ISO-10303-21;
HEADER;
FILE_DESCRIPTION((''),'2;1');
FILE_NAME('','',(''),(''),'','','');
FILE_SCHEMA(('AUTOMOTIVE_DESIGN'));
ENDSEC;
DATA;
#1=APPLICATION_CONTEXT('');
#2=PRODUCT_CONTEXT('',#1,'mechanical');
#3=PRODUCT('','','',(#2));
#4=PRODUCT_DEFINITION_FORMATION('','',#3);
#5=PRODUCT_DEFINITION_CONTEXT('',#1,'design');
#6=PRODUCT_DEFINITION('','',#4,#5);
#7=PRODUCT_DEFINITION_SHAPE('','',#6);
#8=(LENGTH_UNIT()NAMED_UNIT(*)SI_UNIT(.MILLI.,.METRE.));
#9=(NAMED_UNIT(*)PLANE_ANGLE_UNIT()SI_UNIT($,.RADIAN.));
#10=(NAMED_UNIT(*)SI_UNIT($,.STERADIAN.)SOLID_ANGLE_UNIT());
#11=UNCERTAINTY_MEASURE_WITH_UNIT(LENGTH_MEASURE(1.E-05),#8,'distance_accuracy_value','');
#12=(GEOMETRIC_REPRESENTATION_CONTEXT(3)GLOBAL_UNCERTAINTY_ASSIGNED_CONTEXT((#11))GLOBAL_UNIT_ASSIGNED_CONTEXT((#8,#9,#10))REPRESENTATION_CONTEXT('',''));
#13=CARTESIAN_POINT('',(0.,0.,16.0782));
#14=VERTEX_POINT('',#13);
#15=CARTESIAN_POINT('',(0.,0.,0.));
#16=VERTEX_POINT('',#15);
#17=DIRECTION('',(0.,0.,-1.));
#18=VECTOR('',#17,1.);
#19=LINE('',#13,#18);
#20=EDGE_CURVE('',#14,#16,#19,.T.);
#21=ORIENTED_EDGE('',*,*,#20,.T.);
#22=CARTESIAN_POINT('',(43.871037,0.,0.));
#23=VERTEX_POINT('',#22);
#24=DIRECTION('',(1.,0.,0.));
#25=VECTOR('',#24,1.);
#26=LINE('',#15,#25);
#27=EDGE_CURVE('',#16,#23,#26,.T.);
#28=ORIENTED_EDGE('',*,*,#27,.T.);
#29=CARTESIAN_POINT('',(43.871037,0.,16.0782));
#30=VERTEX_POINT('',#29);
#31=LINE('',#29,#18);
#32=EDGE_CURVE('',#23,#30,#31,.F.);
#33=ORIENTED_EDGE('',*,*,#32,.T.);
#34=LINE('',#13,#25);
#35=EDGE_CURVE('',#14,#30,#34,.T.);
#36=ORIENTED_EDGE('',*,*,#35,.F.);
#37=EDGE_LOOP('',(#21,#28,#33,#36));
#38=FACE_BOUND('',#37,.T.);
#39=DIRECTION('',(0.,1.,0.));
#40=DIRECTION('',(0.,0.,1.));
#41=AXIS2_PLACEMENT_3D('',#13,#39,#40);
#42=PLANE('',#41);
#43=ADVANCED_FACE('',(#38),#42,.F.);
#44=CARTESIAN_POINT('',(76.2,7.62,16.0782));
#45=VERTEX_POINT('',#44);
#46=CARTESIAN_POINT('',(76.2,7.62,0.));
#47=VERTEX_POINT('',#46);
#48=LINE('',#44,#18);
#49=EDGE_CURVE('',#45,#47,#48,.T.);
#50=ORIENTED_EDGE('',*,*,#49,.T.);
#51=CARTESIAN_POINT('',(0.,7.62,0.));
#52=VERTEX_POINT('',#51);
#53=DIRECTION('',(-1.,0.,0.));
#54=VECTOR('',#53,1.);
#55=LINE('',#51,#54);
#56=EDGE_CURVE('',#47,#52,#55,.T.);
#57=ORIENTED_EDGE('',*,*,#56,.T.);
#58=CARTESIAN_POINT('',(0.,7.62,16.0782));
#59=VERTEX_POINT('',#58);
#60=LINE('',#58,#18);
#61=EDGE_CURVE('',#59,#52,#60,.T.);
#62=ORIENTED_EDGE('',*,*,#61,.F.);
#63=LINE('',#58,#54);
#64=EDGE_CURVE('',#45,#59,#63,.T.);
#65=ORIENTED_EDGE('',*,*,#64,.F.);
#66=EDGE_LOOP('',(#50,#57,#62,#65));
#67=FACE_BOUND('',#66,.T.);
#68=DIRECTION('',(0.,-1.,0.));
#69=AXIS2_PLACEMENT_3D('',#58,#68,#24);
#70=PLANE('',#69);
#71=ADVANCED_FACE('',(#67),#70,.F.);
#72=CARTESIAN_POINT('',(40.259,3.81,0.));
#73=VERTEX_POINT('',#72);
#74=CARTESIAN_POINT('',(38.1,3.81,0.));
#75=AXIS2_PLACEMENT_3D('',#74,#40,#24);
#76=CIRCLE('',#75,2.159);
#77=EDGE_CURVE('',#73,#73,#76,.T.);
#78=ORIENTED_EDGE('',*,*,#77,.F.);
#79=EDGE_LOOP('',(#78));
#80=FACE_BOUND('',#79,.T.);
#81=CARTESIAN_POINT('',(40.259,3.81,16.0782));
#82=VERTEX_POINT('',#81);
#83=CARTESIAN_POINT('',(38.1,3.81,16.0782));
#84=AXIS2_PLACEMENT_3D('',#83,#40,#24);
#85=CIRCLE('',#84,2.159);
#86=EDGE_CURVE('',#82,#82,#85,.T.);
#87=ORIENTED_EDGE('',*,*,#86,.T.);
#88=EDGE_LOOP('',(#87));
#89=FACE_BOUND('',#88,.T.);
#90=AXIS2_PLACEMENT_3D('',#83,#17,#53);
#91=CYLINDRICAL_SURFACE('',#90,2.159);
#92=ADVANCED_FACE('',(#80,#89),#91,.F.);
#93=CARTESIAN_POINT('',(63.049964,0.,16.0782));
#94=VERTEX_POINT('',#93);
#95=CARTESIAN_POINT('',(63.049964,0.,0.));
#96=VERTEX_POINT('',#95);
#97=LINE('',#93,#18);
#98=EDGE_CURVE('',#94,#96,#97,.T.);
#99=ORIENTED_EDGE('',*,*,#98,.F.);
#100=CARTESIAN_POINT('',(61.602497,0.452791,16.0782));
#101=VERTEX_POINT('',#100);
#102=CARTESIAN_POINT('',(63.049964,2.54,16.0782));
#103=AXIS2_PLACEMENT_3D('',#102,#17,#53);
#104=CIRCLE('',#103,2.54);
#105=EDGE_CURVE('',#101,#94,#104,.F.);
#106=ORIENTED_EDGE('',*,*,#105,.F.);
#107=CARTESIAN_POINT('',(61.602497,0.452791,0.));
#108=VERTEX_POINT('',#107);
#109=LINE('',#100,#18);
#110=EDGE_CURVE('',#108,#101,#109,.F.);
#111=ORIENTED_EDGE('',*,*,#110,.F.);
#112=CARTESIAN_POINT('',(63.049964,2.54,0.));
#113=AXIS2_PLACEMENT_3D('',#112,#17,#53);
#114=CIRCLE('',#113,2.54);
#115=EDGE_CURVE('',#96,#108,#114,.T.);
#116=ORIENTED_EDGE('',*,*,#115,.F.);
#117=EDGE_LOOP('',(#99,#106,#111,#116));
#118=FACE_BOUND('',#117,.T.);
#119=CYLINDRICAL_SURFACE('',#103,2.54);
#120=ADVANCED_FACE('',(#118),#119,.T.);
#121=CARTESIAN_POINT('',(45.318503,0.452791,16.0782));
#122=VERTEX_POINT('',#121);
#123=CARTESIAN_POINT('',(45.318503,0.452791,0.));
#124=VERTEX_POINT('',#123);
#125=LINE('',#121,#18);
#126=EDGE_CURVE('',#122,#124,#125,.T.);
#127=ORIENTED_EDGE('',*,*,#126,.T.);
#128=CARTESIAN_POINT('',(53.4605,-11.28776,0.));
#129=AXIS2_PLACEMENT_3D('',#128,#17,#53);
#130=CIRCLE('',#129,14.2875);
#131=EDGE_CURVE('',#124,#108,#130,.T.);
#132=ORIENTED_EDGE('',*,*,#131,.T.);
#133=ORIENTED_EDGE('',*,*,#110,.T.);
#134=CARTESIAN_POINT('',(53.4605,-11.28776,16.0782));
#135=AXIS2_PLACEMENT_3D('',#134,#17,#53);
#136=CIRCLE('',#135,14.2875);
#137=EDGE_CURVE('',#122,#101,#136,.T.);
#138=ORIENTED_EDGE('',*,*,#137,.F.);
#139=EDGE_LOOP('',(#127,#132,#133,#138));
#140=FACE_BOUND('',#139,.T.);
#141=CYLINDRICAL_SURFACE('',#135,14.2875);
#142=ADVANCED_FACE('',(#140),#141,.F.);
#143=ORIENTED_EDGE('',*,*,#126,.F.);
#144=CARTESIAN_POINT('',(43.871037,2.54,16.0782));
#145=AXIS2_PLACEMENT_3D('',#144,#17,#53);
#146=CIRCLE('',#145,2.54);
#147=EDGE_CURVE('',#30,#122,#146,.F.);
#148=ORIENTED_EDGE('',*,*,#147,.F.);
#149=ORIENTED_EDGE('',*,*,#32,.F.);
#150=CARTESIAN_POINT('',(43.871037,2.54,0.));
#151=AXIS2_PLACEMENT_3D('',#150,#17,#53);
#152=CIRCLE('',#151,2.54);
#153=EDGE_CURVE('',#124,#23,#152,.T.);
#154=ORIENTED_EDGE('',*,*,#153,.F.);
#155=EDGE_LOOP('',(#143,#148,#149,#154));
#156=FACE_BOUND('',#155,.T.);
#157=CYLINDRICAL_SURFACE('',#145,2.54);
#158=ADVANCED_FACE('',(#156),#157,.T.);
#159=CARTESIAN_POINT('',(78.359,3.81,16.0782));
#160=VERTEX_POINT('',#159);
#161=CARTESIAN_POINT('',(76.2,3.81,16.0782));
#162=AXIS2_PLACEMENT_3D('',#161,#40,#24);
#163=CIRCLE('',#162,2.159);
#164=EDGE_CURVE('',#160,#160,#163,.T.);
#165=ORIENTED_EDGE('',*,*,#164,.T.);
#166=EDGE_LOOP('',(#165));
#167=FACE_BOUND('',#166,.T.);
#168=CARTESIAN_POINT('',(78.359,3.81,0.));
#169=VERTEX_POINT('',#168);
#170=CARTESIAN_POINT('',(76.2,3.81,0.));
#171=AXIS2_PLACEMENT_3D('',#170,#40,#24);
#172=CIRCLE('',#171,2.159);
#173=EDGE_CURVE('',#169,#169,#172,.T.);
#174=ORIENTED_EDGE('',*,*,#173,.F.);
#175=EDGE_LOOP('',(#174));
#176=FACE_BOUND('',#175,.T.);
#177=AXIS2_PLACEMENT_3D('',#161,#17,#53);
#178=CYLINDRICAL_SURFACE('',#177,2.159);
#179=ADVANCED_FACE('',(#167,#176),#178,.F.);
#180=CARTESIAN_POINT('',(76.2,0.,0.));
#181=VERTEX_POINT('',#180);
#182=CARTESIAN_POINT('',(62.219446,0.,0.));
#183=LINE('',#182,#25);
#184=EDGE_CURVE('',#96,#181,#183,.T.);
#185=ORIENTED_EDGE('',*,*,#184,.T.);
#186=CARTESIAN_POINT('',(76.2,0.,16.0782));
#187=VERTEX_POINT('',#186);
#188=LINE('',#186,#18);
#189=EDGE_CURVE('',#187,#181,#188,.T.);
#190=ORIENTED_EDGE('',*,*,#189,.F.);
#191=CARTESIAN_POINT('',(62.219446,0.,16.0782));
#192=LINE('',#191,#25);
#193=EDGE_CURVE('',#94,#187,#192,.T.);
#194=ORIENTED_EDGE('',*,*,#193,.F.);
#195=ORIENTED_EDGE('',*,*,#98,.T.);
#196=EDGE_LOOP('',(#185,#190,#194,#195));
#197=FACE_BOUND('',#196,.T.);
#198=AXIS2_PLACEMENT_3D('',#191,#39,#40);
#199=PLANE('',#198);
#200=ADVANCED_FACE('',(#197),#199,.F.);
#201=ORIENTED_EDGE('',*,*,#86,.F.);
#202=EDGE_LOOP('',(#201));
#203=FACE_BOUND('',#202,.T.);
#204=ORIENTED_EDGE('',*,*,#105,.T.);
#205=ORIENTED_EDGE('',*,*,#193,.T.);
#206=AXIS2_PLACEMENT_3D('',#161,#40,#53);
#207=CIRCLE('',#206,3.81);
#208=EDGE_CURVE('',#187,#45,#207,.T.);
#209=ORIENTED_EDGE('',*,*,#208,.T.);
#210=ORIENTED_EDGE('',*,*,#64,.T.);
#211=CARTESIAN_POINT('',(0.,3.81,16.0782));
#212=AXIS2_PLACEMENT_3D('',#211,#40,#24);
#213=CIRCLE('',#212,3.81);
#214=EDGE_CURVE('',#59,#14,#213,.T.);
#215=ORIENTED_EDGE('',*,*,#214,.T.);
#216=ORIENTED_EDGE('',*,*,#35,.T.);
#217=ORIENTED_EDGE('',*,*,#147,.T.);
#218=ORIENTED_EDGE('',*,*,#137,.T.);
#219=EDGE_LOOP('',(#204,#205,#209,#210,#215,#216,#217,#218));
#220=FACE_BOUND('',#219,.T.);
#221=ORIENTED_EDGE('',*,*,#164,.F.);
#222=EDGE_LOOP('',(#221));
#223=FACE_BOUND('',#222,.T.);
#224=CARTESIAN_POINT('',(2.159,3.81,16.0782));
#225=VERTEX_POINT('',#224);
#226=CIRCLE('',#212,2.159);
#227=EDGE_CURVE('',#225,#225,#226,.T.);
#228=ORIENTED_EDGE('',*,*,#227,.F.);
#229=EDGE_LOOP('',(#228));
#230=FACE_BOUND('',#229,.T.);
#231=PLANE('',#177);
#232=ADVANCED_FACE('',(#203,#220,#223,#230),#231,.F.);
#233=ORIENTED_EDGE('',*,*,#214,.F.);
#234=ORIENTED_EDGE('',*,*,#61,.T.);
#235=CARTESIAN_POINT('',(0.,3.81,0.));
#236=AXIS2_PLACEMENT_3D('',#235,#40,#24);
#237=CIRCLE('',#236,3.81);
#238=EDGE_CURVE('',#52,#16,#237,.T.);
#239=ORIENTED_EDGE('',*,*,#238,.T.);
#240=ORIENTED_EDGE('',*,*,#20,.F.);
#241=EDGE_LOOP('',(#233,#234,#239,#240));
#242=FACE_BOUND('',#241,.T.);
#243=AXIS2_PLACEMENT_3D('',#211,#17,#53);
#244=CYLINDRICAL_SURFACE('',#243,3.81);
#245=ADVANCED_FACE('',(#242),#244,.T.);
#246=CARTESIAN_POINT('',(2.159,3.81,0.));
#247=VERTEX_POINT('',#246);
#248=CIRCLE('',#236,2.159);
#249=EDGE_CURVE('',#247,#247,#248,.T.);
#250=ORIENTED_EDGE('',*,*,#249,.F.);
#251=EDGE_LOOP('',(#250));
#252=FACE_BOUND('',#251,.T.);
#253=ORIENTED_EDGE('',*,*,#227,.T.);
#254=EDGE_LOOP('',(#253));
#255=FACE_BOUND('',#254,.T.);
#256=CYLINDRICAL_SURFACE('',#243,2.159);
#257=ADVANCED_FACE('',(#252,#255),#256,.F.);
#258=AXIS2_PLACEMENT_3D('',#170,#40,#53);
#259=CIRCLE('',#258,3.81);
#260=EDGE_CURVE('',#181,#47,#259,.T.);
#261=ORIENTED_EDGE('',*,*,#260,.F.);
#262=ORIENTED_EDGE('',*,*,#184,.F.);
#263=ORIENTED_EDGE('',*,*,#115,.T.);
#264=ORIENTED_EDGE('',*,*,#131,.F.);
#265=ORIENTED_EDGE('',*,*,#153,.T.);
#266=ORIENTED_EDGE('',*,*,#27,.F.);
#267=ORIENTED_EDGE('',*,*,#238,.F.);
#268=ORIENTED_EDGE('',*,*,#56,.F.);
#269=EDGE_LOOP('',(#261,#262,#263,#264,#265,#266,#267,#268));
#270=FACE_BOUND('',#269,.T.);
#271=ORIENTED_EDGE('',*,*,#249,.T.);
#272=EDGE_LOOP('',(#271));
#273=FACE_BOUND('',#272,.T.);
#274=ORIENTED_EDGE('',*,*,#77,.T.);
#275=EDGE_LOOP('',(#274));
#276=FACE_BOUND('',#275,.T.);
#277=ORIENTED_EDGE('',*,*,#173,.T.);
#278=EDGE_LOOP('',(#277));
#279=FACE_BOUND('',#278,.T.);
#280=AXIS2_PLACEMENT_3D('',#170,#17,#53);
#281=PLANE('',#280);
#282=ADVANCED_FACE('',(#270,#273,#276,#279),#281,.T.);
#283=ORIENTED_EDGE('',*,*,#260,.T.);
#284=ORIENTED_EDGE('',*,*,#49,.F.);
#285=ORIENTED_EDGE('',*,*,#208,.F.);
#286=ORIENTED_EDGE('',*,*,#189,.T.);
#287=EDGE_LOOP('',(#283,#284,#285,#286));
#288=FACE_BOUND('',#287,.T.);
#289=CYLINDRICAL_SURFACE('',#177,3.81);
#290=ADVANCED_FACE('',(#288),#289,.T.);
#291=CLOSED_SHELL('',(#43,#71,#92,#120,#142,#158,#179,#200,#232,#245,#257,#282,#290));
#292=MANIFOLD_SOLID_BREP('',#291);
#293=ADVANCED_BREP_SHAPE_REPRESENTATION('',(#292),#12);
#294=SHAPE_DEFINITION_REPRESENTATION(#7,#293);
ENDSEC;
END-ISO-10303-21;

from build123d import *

# Parameters (mm, degrees)
SKETCH1_R           = 2.159
BOSS_EXTRUDE1_DEPTH = 16.0782
FILLET1_R           = 2.54


with BuildPart() as part:
    # Sketch1 → Boss-Extrude1 (new body)
    with BuildSketch(Plane.XY):
        with BuildLine():
            Line((0, 7.62), (76.2, 7.62))
            ThreePointArc((76.2, 7.62), (80.01, 3.81), (76.2, 0))
            Line((76.2, 0), (62.219445877, 0))
            ThreePointArc((62.219445877, 0), (53.46050014, 2.99974), (44.701554403, 0))
            Line((44.701554403, 0), (0, 0))
            ThreePointArc((0, 0), (-3.81, 3.81), (0, 7.62))
        make_face()
        with Locations((0, 3.81)):
            Circle(SKETCH1_R, mode=Mode.SUBTRACT)
        with Locations((38.1, 3.81)):
            Circle(SKETCH1_R, mode=Mode.SUBTRACT)
        with Locations((76.2, 3.81)):
            Circle(SKETCH1_R, mode=Mode.SUBTRACT)
    extrude(amount=BOSS_EXTRUDE1_DEPTH)

    # Fillet1
    fillet1_edges = [part.edges().sort_by_distance(p)[0] for p in [
        (62.219445877, 0, 8.0391),
        (44.701554403, 0, 8.0391),
    ]]
    fillet(fillet1_edges, radius=FILLET1_R)


solid = part.part
